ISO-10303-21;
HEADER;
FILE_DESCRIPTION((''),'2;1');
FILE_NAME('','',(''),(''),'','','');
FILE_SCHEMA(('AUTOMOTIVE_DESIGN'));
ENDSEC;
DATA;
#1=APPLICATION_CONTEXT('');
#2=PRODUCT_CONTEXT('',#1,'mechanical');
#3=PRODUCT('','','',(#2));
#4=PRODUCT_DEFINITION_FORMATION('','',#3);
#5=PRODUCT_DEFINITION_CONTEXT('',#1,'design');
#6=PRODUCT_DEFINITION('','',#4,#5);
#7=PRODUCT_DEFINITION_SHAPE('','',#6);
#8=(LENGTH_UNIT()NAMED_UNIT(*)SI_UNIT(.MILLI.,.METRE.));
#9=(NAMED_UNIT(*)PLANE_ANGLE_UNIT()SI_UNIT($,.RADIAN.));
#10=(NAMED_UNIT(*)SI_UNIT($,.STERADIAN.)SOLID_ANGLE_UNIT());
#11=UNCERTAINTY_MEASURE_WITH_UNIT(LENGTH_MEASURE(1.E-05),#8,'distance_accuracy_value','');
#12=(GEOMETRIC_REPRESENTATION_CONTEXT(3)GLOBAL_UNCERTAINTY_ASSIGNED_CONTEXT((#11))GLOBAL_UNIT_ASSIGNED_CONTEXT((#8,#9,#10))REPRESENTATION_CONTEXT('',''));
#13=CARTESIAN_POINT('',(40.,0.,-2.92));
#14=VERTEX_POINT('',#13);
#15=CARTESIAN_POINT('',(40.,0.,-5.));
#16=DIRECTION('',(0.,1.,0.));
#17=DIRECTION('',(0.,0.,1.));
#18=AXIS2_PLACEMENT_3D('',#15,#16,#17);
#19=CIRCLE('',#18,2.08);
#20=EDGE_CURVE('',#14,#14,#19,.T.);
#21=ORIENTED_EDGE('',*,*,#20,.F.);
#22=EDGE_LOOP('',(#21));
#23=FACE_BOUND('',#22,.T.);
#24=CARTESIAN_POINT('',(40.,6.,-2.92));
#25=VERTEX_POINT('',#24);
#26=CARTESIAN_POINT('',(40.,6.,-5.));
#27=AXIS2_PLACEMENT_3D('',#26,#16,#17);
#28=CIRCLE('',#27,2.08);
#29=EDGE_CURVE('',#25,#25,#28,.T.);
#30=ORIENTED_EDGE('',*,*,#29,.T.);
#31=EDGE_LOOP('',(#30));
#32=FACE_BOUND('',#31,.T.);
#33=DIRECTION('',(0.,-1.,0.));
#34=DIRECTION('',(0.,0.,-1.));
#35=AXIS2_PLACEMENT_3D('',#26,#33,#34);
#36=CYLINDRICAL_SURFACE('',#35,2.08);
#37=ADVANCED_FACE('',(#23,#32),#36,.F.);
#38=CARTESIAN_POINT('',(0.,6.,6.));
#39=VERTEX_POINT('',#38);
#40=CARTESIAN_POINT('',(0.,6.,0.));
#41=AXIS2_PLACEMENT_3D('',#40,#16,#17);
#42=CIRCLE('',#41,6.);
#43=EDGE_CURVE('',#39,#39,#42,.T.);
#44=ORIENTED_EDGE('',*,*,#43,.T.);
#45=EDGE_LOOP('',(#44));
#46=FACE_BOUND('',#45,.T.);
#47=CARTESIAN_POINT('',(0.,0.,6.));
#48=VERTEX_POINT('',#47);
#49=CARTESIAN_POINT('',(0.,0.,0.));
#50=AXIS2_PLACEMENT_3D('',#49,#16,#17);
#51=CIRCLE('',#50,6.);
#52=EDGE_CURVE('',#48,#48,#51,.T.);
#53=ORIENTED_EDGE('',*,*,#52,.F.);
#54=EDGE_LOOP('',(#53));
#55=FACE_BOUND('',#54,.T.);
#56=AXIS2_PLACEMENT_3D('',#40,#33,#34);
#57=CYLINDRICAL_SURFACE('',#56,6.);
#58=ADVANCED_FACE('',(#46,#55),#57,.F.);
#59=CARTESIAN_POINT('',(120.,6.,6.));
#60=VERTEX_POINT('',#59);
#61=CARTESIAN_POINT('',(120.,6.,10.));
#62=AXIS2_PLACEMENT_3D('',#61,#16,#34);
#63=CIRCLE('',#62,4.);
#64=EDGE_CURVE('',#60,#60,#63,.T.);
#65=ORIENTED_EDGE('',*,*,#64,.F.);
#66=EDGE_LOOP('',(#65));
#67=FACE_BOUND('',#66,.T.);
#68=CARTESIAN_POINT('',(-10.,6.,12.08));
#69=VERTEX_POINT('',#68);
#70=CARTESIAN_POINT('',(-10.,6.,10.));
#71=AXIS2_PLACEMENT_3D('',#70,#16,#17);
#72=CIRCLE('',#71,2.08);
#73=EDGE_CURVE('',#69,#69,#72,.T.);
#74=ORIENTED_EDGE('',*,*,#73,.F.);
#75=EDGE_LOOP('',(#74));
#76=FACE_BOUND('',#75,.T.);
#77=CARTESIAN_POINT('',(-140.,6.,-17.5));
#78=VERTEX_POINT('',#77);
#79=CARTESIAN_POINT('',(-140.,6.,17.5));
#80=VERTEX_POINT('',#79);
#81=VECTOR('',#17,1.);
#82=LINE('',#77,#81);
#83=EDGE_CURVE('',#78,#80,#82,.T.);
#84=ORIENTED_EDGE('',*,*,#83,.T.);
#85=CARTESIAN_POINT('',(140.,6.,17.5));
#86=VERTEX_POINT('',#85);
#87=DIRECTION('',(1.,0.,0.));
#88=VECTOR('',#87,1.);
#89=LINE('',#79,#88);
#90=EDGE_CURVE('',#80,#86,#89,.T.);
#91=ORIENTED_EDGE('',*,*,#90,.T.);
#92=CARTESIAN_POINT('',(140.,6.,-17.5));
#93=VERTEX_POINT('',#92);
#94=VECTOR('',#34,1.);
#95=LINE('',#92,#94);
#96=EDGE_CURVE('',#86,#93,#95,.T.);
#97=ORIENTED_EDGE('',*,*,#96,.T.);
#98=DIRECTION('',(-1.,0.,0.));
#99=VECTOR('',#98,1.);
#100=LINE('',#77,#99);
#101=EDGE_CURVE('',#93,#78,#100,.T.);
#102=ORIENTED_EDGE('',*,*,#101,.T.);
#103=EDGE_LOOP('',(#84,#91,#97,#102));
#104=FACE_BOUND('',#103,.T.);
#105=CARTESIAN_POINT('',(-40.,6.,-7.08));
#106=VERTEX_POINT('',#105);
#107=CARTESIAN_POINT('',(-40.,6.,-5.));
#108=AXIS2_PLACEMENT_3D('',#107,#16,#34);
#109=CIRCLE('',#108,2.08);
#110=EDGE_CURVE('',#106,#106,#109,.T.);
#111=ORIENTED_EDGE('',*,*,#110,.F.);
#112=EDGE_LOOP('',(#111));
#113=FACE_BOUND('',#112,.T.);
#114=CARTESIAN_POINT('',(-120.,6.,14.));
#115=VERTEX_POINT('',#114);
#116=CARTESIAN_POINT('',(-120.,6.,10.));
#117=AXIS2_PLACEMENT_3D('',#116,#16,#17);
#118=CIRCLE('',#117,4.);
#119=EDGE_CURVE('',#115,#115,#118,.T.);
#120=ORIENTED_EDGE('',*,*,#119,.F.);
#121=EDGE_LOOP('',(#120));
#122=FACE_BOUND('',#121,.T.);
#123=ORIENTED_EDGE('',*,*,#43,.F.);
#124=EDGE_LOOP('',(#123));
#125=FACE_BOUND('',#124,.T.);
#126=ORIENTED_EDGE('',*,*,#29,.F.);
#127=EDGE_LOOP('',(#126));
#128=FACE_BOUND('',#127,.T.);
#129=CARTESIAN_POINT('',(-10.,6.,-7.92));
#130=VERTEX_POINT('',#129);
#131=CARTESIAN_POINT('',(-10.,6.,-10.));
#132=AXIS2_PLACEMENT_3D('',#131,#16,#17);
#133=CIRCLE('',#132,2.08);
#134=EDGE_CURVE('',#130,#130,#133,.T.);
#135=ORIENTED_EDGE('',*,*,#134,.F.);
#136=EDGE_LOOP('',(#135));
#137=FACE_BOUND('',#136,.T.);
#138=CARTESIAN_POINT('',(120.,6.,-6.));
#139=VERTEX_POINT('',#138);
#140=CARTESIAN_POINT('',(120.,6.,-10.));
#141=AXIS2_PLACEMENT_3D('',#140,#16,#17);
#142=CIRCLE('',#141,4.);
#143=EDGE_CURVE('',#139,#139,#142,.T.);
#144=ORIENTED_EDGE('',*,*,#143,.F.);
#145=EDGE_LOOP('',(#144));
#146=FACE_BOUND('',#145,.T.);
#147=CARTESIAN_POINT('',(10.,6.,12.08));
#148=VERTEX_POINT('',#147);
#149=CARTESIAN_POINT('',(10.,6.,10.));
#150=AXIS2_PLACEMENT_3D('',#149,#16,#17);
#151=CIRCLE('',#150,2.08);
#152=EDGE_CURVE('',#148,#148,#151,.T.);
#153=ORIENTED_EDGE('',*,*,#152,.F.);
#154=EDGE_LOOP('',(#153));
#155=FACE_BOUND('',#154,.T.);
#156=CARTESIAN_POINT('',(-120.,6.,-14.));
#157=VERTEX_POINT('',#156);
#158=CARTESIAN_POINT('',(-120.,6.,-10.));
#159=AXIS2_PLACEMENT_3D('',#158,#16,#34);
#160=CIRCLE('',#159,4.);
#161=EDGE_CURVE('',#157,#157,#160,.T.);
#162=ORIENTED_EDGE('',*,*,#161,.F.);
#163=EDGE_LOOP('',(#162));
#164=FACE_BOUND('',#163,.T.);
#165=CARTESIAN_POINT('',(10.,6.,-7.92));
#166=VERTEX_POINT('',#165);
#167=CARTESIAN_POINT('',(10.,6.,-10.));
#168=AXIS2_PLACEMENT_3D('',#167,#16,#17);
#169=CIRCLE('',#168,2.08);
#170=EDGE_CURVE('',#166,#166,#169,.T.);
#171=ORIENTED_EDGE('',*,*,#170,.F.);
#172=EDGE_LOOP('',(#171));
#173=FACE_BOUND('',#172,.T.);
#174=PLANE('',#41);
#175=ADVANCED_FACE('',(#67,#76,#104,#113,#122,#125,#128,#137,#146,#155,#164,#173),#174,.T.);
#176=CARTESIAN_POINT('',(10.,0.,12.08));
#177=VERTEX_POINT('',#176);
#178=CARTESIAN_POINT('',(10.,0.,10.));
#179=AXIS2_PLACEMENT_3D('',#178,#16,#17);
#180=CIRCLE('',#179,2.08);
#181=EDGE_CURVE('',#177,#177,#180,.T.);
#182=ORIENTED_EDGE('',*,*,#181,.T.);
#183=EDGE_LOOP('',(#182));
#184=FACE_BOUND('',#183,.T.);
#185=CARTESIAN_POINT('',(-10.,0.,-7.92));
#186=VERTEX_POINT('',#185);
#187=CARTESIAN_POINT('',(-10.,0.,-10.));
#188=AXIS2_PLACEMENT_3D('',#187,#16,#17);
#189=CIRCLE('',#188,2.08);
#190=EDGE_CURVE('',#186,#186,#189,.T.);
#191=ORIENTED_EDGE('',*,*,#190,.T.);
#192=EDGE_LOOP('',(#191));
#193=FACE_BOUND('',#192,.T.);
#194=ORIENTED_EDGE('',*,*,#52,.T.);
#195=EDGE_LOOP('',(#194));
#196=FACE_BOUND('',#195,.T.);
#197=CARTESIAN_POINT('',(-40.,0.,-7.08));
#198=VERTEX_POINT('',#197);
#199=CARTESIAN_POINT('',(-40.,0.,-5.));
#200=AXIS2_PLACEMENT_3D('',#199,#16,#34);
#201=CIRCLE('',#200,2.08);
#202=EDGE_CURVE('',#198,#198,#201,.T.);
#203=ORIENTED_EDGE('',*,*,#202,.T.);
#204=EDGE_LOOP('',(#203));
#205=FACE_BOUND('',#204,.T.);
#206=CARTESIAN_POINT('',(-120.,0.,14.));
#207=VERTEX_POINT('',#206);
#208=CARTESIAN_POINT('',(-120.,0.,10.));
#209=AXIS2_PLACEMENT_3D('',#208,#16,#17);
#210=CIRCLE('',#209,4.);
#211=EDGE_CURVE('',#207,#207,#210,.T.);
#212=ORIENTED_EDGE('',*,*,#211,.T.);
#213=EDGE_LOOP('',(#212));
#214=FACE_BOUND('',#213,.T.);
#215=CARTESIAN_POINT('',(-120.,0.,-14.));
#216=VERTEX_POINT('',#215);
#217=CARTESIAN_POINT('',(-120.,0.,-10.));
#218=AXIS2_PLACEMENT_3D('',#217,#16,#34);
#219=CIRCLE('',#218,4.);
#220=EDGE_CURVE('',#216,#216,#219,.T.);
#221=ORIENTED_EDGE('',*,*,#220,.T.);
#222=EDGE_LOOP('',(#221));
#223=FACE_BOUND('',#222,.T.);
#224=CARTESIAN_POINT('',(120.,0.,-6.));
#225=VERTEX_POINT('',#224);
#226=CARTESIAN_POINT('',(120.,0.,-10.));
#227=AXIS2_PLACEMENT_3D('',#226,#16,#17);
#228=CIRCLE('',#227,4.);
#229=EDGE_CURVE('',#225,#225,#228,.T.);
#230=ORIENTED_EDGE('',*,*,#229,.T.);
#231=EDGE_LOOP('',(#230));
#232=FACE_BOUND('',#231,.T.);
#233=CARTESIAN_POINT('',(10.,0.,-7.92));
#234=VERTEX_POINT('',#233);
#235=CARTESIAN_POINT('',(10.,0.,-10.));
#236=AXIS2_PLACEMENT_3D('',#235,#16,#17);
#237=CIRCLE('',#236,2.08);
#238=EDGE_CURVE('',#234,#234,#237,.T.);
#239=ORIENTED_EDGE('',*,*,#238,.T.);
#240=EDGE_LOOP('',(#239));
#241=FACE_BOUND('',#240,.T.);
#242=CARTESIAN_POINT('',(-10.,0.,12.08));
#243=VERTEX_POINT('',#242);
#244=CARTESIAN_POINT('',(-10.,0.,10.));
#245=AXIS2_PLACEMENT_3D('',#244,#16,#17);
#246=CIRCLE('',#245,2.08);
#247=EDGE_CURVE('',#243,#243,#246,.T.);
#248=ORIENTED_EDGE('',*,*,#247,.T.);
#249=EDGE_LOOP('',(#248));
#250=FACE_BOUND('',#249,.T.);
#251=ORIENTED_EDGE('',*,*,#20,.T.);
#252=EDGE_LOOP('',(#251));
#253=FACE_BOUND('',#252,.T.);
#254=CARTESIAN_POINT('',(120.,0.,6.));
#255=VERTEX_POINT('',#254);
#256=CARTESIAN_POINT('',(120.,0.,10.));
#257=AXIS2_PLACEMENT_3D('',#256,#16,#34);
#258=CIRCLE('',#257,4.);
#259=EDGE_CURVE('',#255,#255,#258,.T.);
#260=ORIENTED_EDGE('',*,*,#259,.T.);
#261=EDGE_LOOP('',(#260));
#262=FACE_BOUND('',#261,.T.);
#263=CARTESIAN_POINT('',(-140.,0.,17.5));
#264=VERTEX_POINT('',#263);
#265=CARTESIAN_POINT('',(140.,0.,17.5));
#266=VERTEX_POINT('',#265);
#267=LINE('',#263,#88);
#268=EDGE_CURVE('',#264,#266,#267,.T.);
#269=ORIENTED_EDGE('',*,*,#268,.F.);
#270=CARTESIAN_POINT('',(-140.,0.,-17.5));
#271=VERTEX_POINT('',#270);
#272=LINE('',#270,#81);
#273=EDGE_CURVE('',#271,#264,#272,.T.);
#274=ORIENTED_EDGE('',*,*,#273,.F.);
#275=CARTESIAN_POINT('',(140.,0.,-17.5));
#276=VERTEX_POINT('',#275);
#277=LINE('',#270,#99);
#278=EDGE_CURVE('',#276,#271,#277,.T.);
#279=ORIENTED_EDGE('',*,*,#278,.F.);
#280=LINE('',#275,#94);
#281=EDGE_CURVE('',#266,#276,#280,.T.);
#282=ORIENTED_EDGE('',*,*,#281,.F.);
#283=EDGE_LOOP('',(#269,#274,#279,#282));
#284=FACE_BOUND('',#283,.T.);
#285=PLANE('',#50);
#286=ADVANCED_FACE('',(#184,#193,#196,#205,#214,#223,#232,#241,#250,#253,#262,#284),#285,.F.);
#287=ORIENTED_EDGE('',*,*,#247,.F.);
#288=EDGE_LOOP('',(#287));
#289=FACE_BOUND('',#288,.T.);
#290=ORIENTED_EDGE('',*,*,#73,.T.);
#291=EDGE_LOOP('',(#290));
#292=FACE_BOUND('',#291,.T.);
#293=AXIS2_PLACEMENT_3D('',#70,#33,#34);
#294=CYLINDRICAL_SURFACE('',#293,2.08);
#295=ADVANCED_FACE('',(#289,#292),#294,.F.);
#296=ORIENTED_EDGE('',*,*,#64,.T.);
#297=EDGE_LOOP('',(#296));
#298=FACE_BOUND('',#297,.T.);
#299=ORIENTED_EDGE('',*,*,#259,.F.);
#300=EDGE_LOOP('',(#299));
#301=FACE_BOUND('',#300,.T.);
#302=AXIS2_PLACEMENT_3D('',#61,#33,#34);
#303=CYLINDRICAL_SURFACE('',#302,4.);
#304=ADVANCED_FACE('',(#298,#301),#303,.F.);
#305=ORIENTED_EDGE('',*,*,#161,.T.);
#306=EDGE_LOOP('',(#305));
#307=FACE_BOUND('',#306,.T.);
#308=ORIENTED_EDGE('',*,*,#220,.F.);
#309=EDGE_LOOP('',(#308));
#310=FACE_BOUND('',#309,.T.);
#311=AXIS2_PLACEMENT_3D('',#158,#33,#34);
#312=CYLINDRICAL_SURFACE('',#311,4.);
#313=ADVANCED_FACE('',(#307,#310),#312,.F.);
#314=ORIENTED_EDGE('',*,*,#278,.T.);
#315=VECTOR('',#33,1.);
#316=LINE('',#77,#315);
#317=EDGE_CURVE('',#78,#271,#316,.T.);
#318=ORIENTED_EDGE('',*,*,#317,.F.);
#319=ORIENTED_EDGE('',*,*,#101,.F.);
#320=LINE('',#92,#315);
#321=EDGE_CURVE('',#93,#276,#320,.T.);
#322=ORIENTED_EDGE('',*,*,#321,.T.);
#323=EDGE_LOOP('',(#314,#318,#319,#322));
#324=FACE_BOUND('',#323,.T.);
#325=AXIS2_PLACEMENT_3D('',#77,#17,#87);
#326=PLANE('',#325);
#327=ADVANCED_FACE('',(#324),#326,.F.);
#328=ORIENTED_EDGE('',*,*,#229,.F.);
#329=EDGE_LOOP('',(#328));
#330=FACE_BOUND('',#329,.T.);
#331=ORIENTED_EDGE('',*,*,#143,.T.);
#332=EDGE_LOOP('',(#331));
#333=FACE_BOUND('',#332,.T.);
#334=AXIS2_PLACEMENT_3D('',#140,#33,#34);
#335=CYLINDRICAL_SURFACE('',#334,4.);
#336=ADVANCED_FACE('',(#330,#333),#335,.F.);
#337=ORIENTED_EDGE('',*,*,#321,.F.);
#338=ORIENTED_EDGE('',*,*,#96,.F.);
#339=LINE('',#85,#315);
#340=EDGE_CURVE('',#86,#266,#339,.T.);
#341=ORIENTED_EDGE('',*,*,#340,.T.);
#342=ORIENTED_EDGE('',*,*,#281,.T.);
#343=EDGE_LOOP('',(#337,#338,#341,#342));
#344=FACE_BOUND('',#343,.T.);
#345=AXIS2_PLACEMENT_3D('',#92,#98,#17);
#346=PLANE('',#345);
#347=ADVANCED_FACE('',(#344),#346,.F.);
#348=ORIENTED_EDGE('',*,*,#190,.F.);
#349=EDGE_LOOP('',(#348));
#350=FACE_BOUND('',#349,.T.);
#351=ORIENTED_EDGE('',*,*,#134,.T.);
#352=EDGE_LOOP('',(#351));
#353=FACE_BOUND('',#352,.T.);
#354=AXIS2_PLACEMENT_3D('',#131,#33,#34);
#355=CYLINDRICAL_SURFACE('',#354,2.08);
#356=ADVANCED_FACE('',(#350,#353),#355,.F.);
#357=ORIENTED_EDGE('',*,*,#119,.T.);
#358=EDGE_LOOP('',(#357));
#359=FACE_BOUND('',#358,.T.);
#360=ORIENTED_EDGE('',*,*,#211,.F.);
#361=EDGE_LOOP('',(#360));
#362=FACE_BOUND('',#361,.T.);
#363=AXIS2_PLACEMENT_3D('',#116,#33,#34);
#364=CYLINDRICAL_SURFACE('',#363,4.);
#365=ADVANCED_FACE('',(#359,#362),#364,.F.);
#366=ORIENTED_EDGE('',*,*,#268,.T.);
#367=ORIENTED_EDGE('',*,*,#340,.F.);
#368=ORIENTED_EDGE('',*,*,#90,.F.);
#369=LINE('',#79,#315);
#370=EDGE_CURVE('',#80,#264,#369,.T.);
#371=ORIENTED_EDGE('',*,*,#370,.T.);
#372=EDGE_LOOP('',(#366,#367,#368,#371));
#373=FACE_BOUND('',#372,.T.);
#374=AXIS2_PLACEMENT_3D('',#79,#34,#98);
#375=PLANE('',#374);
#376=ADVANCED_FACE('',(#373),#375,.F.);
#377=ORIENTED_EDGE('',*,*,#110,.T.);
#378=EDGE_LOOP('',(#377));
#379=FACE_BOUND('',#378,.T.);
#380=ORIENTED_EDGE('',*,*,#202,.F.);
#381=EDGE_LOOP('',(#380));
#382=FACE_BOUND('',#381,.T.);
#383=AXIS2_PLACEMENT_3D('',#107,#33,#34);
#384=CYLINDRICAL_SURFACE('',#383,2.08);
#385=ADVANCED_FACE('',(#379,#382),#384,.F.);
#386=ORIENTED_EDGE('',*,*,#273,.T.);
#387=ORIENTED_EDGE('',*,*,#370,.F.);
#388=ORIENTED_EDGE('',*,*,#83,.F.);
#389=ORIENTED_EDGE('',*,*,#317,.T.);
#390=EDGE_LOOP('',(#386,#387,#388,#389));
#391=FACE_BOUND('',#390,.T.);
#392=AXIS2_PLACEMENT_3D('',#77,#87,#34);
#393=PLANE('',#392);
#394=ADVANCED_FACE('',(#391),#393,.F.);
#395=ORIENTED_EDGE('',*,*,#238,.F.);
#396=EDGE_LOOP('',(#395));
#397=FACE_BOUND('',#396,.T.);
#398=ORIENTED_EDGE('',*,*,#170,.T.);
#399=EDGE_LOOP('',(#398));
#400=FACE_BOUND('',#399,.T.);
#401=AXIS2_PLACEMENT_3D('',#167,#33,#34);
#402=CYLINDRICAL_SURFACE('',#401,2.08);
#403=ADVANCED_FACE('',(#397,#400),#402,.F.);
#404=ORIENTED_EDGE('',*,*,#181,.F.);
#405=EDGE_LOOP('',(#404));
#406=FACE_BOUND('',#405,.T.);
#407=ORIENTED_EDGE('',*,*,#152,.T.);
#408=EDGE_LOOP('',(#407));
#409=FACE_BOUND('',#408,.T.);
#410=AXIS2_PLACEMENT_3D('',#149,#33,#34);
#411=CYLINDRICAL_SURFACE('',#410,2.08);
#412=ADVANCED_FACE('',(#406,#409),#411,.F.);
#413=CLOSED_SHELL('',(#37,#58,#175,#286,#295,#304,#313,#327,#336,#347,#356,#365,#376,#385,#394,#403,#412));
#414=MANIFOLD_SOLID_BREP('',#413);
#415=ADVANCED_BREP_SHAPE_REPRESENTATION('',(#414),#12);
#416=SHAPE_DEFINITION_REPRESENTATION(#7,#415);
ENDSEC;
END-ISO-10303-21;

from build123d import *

# Parameters (mm, degrees)
SKETCH1_W           = 280
SKETCH1_H           = 35
SKETCH1_R           = 2.08
SKETCH1_R_2         = 6
SKETCH1_R_3         = 4
BOSS_EXTRUDE1_DEPTH = 6


with BuildPart() as part:
    # Sketch1 → Boss-Extrude1 (new body)
    with BuildSketch(Plane(origin=(0, 0, 0), x_dir=(1, 0, 0), z_dir=(0, 1, 0))):
        Rectangle(SKETCH1_W, SKETCH1_H)
        with Locations((40, 5)):
            Circle(SKETCH1_R, mode=Mode.SUBTRACT)
        with Locations((-40, 5)):
            Circle(SKETCH1_R, mode=Mode.SUBTRACT)
        Circle(SKETCH1_R_2, mode=Mode.SUBTRACT)
        with Locations((10, 10)):
            Circle(SKETCH1_R, mode=Mode.SUBTRACT)
        with Locations((-10, 10)):
            Circle(SKETCH1_R, mode=Mode.SUBTRACT)
        with Locations((-10, -10)):
            Circle(SKETCH1_R, mode=Mode.SUBTRACT)
        with Locations((10, -10)):
            Circle(SKETCH1_R, mode=Mode.SUBTRACT)
        with Locations((120, 10)):
            Circle(SKETCH1_R_3, mode=Mode.SUBTRACT)
        with Locations((-120, 10)):
            Circle(SKETCH1_R_3, mode=Mode.SUBTRACT)
        with Locations((120, -10)):
            Circle(SKETCH1_R_3, mode=Mode.SUBTRACT)
        with Locations((-120, -10)):
            Circle(SKETCH1_R_3, mode=Mode.SUBTRACT)
    extrude(amount=BOSS_EXTRUDE1_DEPTH)


solid = part.part
